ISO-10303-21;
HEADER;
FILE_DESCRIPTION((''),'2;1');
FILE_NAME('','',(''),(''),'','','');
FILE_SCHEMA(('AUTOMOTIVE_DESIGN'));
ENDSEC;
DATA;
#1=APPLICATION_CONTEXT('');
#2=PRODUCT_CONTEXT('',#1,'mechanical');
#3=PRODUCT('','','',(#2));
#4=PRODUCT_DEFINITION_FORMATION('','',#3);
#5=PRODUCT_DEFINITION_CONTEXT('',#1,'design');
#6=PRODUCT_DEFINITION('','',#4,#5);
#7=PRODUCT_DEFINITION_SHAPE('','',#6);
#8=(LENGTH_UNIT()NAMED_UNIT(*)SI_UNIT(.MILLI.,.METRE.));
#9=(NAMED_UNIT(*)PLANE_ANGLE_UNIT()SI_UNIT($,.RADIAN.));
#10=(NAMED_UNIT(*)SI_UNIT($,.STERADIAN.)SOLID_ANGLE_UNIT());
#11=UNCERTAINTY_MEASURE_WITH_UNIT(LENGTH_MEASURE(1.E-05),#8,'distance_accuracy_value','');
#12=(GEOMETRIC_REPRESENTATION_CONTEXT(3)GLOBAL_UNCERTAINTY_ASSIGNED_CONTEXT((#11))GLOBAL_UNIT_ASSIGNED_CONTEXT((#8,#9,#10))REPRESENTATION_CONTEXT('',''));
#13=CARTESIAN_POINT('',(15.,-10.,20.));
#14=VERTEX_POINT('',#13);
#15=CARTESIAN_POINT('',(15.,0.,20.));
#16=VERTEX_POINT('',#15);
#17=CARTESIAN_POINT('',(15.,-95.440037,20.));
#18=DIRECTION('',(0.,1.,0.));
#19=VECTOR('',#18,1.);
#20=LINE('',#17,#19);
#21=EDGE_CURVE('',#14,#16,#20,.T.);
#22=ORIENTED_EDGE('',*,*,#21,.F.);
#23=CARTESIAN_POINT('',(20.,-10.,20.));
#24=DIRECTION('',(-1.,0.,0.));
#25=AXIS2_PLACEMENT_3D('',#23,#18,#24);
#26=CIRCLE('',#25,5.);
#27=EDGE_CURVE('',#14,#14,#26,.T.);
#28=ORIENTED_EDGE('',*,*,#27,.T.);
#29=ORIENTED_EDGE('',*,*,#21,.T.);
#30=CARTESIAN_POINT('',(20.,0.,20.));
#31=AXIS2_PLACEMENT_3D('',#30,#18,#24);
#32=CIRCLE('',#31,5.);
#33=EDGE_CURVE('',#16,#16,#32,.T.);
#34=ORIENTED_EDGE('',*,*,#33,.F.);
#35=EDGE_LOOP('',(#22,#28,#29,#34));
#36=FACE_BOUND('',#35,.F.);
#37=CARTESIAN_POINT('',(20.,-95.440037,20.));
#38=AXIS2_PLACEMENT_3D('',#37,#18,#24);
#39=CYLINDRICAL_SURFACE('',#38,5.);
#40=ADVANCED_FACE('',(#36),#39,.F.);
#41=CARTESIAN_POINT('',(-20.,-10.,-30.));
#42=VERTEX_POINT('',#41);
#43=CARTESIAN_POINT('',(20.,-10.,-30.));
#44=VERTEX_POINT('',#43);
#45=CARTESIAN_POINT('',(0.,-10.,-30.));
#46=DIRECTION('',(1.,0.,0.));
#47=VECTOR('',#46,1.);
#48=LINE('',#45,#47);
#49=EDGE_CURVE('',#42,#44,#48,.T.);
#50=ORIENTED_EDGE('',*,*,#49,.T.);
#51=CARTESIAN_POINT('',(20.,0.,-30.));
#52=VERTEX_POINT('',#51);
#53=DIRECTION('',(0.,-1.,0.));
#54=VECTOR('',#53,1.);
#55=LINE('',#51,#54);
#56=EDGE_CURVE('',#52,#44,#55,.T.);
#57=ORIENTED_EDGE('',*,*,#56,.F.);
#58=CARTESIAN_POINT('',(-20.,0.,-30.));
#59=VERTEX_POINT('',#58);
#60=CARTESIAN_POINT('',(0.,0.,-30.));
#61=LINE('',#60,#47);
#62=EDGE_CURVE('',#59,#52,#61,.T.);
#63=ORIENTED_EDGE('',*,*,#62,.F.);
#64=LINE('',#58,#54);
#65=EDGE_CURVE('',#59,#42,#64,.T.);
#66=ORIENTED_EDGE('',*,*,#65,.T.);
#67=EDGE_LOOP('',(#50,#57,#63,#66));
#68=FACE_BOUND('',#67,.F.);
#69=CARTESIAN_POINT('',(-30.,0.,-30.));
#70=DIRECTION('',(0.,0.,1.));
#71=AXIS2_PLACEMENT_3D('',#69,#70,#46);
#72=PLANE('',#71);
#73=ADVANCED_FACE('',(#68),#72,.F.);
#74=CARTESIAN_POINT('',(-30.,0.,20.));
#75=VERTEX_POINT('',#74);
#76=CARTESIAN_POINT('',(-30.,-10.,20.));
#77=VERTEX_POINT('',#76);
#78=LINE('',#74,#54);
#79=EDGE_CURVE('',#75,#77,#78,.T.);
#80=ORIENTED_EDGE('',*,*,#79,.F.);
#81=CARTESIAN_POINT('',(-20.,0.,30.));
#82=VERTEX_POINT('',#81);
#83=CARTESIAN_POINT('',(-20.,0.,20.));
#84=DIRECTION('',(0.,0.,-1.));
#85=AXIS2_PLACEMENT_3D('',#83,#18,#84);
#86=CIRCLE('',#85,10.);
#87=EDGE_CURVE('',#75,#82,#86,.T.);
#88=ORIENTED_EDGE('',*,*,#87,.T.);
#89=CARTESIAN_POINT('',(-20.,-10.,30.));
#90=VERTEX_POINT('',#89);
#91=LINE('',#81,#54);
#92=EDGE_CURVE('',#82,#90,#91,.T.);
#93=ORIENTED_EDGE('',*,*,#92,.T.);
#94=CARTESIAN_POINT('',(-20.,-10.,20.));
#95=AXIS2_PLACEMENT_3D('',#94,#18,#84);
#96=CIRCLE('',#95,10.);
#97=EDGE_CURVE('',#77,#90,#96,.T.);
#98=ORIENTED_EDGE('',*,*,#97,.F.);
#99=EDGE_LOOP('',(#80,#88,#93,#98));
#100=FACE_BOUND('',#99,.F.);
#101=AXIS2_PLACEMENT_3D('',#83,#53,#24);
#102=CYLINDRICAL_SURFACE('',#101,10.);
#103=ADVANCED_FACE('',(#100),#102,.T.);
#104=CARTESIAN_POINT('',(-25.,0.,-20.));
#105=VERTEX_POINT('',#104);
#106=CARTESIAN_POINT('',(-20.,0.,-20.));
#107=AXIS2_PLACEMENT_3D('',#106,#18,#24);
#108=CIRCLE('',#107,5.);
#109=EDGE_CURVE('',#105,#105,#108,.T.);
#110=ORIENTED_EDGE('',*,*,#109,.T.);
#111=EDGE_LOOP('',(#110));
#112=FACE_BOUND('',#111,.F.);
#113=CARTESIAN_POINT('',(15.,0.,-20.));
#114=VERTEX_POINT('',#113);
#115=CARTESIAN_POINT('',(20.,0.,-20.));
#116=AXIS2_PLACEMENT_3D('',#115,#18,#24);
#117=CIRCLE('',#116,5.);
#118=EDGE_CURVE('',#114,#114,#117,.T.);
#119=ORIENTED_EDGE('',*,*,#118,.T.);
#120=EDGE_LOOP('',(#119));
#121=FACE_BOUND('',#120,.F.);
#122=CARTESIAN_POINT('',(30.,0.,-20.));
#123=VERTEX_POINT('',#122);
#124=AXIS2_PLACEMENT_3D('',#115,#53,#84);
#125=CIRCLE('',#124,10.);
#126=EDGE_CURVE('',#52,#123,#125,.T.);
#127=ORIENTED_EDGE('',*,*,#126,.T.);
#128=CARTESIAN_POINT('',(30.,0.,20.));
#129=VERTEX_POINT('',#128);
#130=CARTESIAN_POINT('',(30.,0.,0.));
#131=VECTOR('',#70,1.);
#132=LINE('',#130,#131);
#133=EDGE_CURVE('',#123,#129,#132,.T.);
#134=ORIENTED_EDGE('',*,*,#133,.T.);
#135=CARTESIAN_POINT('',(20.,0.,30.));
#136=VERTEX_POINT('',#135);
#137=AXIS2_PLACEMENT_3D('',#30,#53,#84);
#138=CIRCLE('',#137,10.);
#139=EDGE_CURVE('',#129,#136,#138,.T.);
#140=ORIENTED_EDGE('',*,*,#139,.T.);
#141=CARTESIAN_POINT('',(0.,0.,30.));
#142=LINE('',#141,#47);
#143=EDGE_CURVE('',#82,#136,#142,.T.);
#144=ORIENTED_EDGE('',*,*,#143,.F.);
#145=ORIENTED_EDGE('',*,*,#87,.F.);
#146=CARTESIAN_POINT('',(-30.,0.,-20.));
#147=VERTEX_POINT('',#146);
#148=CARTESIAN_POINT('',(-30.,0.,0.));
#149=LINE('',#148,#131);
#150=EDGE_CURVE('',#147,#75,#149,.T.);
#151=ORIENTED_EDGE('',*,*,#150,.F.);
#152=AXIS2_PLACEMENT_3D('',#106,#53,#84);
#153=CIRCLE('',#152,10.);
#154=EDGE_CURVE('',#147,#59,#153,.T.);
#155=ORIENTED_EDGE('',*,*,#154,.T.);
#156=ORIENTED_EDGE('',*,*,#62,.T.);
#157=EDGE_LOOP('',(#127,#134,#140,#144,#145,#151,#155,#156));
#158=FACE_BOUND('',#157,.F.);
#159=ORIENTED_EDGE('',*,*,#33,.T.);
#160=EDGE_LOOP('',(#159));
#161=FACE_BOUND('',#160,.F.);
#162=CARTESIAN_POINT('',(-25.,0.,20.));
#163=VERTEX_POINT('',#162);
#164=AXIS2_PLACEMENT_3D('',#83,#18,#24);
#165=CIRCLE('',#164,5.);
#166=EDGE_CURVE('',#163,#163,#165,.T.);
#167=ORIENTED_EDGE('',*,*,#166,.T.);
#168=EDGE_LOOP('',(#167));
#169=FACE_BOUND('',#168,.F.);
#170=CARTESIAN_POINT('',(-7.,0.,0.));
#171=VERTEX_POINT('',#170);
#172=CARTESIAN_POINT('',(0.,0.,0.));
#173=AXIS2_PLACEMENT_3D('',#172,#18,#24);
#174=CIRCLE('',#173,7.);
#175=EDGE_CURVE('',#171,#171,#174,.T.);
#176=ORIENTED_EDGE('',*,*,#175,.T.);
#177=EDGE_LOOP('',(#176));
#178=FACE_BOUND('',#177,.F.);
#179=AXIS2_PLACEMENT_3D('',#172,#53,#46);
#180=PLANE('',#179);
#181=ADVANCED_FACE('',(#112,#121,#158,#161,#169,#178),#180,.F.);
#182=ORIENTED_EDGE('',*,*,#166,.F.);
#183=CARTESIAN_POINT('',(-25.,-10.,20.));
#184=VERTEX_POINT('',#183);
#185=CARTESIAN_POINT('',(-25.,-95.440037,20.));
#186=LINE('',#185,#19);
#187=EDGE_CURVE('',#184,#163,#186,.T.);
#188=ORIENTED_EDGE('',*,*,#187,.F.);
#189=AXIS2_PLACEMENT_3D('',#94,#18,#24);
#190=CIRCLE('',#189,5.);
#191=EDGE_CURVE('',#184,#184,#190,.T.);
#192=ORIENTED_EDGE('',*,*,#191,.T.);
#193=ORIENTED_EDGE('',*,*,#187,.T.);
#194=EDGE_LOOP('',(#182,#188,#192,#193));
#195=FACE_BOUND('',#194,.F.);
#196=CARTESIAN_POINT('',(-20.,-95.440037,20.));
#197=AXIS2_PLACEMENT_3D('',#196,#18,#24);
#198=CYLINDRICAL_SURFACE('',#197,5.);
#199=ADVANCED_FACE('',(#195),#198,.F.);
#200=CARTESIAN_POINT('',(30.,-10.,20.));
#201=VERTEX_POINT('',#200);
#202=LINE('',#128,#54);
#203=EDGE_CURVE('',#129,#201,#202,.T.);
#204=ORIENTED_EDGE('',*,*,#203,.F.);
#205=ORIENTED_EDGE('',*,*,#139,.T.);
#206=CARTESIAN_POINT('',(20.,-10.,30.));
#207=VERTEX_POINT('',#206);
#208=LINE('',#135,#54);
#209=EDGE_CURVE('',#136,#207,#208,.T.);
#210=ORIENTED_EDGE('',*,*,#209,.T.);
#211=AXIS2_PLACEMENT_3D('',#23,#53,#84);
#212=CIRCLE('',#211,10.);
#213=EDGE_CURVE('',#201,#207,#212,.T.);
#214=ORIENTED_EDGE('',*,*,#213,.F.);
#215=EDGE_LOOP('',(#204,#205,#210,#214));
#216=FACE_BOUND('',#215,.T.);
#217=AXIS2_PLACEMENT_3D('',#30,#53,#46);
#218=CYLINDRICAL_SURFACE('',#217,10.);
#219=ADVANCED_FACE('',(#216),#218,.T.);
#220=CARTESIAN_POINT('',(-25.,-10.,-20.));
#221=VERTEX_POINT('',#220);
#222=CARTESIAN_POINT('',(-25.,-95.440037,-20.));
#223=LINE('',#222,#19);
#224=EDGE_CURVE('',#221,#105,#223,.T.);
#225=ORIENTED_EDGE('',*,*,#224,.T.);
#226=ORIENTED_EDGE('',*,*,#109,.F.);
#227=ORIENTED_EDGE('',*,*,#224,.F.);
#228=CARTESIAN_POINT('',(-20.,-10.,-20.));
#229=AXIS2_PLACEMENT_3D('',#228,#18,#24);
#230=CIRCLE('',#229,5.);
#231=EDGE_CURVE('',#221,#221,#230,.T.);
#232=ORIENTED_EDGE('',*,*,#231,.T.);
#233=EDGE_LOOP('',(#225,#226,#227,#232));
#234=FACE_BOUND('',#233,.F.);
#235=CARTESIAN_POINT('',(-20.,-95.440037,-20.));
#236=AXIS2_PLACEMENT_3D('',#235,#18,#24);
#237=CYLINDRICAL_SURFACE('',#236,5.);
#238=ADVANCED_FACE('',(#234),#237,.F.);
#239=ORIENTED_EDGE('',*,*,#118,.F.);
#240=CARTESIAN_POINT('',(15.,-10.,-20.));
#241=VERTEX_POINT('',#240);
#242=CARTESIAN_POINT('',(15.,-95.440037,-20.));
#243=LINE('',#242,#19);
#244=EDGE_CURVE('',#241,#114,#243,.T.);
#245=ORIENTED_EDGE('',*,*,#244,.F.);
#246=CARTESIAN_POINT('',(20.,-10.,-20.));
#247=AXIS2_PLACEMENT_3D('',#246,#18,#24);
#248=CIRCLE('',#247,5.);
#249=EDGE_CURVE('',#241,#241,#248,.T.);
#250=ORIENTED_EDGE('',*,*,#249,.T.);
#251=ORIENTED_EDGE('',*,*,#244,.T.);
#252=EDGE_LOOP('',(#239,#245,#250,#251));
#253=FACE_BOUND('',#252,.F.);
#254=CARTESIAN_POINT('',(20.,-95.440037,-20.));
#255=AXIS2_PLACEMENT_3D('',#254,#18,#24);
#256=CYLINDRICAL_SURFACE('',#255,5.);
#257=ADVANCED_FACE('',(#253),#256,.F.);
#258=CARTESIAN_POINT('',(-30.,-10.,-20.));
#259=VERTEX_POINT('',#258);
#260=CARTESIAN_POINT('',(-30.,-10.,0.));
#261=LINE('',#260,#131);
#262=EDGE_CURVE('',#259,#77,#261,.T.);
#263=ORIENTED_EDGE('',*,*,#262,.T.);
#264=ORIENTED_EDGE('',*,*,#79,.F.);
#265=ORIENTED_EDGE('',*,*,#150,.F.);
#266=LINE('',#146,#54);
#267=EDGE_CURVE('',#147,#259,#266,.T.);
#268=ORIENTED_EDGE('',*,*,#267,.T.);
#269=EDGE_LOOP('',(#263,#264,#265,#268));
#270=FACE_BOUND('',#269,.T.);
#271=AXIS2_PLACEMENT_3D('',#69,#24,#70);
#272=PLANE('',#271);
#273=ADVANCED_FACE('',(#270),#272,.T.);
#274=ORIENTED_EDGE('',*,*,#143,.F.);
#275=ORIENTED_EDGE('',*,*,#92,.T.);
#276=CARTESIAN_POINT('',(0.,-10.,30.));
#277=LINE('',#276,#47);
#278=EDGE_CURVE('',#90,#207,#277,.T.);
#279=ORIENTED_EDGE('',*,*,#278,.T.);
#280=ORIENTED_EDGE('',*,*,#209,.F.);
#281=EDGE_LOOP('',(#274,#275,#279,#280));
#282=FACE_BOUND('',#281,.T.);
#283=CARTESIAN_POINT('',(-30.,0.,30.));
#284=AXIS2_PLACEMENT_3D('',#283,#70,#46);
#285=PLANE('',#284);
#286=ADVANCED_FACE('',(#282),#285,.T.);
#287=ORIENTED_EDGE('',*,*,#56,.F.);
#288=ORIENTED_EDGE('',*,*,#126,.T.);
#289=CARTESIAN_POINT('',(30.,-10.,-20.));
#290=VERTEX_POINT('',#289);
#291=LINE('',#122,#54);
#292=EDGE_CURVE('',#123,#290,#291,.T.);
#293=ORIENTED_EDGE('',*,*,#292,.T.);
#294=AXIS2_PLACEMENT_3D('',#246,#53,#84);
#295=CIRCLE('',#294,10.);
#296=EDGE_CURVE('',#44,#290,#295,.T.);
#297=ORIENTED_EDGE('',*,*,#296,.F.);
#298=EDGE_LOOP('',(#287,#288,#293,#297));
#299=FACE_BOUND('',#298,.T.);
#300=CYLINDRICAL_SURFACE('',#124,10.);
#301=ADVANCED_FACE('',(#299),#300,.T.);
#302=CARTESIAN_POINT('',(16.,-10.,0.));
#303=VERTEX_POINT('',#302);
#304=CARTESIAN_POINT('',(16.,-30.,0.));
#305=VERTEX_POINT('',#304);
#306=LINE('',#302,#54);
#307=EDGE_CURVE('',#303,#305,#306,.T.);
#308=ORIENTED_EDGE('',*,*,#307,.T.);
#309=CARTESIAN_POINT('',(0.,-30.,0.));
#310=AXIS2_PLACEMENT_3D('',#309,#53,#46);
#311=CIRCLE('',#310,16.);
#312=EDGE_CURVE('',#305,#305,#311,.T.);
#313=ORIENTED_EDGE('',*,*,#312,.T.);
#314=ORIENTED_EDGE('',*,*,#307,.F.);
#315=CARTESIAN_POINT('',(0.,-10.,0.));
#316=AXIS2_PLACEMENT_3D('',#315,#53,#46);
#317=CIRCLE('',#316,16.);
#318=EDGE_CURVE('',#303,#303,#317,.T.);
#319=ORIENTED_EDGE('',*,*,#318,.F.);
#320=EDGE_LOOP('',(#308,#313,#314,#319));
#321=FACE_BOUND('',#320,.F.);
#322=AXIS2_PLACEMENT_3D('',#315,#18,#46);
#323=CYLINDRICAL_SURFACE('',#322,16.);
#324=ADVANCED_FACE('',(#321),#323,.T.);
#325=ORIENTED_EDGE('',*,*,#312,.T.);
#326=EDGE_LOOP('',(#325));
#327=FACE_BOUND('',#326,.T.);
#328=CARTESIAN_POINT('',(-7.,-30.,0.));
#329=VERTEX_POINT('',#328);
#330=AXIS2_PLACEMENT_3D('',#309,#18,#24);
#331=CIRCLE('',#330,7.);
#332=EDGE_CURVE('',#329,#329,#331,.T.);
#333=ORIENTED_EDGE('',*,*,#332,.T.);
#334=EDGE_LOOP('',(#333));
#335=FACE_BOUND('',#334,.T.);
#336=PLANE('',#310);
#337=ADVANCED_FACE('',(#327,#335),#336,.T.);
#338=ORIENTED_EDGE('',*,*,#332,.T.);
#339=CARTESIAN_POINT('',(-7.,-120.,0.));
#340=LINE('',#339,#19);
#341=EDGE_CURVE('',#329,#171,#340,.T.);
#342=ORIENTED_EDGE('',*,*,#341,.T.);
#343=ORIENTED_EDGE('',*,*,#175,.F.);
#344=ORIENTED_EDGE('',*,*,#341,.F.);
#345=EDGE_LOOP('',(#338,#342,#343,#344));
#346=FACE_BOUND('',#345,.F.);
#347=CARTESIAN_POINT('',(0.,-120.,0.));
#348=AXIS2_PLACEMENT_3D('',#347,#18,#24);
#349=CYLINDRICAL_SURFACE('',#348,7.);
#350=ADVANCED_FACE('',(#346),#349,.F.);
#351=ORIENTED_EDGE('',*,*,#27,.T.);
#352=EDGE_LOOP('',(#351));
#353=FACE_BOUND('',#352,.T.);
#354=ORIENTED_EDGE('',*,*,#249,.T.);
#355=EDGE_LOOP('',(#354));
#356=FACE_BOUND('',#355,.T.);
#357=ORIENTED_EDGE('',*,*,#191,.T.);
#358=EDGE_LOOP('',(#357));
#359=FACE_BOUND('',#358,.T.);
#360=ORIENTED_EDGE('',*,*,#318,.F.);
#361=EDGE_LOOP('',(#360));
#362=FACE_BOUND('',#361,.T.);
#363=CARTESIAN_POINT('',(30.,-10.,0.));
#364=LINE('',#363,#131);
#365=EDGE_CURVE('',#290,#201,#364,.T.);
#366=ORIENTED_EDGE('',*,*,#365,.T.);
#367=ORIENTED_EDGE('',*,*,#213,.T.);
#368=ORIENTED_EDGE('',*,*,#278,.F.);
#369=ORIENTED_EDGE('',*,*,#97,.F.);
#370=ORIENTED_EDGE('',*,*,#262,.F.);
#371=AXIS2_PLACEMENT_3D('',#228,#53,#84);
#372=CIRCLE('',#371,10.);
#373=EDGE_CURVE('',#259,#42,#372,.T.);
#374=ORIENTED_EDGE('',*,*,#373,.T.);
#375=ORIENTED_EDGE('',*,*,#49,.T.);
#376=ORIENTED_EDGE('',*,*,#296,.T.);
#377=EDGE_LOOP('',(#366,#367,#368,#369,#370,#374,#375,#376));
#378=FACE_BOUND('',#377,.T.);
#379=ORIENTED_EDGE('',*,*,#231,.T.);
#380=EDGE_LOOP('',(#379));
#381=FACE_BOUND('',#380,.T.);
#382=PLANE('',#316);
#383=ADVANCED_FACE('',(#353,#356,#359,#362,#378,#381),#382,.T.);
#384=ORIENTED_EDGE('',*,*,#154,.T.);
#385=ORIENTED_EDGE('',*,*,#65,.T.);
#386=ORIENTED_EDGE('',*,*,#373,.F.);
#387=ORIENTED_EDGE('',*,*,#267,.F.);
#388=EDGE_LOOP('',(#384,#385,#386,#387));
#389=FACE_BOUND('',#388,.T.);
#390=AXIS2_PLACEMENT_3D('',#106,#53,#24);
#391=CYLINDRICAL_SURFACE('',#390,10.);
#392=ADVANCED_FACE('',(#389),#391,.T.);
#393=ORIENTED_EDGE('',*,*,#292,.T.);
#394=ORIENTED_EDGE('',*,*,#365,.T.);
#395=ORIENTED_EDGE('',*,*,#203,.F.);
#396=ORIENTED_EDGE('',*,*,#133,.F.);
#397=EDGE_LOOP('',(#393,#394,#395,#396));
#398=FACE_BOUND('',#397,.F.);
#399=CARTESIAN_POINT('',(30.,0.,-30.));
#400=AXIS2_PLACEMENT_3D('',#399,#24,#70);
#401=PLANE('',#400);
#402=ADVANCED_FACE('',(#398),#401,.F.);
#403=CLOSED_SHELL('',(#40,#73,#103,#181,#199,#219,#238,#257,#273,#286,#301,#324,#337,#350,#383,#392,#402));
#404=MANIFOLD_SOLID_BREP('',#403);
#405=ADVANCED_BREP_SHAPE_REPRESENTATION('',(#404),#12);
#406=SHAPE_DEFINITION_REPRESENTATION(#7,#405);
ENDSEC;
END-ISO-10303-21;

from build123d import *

# Parameters (mm, degrees)
F0_W     = 60
F0_H     = 60
F1_DEPTH = 10
F2_R     = 10
F4_D     = 10
F5_R     = 16
F6_DEPTH = 20
F8_D     = 14


with BuildPart() as f1:
    # F0 (on Front) → F1 (new body)
    with BuildSketch(Plane.XZ):
        Rectangle(F0_W, F0_H)
    extrude(amount=F1_DEPTH)

    # F2
    f2_edges = [f1.edges().sort_by_distance(p)[0] for p in [
        (-30, -5, 30),
        (-30, -5, -30),
        (30, -5, 30),
        (30, -5, -30),
    ]]
    fillet(f2_edges, radius=F2_R)

    # F4 (through all)
    with Locations(Plane.XZ.offset(10)):
        with Locations((-20, 20), (20, 20), (20, -20), (-20, -20)):
            Hole(F4_D / 2)

    # F5 (on face) → F6 (join)
    with BuildSketch(Plane.XZ.offset(10)):
        Circle(F5_R)
    extrude(amount=F6_DEPTH)

    # F8 (through all)
    with Locations(Plane.XZ.offset(30)):
        with Locations((0, 0)):
            Hole(F8_D / 2)


solid = f1.part
